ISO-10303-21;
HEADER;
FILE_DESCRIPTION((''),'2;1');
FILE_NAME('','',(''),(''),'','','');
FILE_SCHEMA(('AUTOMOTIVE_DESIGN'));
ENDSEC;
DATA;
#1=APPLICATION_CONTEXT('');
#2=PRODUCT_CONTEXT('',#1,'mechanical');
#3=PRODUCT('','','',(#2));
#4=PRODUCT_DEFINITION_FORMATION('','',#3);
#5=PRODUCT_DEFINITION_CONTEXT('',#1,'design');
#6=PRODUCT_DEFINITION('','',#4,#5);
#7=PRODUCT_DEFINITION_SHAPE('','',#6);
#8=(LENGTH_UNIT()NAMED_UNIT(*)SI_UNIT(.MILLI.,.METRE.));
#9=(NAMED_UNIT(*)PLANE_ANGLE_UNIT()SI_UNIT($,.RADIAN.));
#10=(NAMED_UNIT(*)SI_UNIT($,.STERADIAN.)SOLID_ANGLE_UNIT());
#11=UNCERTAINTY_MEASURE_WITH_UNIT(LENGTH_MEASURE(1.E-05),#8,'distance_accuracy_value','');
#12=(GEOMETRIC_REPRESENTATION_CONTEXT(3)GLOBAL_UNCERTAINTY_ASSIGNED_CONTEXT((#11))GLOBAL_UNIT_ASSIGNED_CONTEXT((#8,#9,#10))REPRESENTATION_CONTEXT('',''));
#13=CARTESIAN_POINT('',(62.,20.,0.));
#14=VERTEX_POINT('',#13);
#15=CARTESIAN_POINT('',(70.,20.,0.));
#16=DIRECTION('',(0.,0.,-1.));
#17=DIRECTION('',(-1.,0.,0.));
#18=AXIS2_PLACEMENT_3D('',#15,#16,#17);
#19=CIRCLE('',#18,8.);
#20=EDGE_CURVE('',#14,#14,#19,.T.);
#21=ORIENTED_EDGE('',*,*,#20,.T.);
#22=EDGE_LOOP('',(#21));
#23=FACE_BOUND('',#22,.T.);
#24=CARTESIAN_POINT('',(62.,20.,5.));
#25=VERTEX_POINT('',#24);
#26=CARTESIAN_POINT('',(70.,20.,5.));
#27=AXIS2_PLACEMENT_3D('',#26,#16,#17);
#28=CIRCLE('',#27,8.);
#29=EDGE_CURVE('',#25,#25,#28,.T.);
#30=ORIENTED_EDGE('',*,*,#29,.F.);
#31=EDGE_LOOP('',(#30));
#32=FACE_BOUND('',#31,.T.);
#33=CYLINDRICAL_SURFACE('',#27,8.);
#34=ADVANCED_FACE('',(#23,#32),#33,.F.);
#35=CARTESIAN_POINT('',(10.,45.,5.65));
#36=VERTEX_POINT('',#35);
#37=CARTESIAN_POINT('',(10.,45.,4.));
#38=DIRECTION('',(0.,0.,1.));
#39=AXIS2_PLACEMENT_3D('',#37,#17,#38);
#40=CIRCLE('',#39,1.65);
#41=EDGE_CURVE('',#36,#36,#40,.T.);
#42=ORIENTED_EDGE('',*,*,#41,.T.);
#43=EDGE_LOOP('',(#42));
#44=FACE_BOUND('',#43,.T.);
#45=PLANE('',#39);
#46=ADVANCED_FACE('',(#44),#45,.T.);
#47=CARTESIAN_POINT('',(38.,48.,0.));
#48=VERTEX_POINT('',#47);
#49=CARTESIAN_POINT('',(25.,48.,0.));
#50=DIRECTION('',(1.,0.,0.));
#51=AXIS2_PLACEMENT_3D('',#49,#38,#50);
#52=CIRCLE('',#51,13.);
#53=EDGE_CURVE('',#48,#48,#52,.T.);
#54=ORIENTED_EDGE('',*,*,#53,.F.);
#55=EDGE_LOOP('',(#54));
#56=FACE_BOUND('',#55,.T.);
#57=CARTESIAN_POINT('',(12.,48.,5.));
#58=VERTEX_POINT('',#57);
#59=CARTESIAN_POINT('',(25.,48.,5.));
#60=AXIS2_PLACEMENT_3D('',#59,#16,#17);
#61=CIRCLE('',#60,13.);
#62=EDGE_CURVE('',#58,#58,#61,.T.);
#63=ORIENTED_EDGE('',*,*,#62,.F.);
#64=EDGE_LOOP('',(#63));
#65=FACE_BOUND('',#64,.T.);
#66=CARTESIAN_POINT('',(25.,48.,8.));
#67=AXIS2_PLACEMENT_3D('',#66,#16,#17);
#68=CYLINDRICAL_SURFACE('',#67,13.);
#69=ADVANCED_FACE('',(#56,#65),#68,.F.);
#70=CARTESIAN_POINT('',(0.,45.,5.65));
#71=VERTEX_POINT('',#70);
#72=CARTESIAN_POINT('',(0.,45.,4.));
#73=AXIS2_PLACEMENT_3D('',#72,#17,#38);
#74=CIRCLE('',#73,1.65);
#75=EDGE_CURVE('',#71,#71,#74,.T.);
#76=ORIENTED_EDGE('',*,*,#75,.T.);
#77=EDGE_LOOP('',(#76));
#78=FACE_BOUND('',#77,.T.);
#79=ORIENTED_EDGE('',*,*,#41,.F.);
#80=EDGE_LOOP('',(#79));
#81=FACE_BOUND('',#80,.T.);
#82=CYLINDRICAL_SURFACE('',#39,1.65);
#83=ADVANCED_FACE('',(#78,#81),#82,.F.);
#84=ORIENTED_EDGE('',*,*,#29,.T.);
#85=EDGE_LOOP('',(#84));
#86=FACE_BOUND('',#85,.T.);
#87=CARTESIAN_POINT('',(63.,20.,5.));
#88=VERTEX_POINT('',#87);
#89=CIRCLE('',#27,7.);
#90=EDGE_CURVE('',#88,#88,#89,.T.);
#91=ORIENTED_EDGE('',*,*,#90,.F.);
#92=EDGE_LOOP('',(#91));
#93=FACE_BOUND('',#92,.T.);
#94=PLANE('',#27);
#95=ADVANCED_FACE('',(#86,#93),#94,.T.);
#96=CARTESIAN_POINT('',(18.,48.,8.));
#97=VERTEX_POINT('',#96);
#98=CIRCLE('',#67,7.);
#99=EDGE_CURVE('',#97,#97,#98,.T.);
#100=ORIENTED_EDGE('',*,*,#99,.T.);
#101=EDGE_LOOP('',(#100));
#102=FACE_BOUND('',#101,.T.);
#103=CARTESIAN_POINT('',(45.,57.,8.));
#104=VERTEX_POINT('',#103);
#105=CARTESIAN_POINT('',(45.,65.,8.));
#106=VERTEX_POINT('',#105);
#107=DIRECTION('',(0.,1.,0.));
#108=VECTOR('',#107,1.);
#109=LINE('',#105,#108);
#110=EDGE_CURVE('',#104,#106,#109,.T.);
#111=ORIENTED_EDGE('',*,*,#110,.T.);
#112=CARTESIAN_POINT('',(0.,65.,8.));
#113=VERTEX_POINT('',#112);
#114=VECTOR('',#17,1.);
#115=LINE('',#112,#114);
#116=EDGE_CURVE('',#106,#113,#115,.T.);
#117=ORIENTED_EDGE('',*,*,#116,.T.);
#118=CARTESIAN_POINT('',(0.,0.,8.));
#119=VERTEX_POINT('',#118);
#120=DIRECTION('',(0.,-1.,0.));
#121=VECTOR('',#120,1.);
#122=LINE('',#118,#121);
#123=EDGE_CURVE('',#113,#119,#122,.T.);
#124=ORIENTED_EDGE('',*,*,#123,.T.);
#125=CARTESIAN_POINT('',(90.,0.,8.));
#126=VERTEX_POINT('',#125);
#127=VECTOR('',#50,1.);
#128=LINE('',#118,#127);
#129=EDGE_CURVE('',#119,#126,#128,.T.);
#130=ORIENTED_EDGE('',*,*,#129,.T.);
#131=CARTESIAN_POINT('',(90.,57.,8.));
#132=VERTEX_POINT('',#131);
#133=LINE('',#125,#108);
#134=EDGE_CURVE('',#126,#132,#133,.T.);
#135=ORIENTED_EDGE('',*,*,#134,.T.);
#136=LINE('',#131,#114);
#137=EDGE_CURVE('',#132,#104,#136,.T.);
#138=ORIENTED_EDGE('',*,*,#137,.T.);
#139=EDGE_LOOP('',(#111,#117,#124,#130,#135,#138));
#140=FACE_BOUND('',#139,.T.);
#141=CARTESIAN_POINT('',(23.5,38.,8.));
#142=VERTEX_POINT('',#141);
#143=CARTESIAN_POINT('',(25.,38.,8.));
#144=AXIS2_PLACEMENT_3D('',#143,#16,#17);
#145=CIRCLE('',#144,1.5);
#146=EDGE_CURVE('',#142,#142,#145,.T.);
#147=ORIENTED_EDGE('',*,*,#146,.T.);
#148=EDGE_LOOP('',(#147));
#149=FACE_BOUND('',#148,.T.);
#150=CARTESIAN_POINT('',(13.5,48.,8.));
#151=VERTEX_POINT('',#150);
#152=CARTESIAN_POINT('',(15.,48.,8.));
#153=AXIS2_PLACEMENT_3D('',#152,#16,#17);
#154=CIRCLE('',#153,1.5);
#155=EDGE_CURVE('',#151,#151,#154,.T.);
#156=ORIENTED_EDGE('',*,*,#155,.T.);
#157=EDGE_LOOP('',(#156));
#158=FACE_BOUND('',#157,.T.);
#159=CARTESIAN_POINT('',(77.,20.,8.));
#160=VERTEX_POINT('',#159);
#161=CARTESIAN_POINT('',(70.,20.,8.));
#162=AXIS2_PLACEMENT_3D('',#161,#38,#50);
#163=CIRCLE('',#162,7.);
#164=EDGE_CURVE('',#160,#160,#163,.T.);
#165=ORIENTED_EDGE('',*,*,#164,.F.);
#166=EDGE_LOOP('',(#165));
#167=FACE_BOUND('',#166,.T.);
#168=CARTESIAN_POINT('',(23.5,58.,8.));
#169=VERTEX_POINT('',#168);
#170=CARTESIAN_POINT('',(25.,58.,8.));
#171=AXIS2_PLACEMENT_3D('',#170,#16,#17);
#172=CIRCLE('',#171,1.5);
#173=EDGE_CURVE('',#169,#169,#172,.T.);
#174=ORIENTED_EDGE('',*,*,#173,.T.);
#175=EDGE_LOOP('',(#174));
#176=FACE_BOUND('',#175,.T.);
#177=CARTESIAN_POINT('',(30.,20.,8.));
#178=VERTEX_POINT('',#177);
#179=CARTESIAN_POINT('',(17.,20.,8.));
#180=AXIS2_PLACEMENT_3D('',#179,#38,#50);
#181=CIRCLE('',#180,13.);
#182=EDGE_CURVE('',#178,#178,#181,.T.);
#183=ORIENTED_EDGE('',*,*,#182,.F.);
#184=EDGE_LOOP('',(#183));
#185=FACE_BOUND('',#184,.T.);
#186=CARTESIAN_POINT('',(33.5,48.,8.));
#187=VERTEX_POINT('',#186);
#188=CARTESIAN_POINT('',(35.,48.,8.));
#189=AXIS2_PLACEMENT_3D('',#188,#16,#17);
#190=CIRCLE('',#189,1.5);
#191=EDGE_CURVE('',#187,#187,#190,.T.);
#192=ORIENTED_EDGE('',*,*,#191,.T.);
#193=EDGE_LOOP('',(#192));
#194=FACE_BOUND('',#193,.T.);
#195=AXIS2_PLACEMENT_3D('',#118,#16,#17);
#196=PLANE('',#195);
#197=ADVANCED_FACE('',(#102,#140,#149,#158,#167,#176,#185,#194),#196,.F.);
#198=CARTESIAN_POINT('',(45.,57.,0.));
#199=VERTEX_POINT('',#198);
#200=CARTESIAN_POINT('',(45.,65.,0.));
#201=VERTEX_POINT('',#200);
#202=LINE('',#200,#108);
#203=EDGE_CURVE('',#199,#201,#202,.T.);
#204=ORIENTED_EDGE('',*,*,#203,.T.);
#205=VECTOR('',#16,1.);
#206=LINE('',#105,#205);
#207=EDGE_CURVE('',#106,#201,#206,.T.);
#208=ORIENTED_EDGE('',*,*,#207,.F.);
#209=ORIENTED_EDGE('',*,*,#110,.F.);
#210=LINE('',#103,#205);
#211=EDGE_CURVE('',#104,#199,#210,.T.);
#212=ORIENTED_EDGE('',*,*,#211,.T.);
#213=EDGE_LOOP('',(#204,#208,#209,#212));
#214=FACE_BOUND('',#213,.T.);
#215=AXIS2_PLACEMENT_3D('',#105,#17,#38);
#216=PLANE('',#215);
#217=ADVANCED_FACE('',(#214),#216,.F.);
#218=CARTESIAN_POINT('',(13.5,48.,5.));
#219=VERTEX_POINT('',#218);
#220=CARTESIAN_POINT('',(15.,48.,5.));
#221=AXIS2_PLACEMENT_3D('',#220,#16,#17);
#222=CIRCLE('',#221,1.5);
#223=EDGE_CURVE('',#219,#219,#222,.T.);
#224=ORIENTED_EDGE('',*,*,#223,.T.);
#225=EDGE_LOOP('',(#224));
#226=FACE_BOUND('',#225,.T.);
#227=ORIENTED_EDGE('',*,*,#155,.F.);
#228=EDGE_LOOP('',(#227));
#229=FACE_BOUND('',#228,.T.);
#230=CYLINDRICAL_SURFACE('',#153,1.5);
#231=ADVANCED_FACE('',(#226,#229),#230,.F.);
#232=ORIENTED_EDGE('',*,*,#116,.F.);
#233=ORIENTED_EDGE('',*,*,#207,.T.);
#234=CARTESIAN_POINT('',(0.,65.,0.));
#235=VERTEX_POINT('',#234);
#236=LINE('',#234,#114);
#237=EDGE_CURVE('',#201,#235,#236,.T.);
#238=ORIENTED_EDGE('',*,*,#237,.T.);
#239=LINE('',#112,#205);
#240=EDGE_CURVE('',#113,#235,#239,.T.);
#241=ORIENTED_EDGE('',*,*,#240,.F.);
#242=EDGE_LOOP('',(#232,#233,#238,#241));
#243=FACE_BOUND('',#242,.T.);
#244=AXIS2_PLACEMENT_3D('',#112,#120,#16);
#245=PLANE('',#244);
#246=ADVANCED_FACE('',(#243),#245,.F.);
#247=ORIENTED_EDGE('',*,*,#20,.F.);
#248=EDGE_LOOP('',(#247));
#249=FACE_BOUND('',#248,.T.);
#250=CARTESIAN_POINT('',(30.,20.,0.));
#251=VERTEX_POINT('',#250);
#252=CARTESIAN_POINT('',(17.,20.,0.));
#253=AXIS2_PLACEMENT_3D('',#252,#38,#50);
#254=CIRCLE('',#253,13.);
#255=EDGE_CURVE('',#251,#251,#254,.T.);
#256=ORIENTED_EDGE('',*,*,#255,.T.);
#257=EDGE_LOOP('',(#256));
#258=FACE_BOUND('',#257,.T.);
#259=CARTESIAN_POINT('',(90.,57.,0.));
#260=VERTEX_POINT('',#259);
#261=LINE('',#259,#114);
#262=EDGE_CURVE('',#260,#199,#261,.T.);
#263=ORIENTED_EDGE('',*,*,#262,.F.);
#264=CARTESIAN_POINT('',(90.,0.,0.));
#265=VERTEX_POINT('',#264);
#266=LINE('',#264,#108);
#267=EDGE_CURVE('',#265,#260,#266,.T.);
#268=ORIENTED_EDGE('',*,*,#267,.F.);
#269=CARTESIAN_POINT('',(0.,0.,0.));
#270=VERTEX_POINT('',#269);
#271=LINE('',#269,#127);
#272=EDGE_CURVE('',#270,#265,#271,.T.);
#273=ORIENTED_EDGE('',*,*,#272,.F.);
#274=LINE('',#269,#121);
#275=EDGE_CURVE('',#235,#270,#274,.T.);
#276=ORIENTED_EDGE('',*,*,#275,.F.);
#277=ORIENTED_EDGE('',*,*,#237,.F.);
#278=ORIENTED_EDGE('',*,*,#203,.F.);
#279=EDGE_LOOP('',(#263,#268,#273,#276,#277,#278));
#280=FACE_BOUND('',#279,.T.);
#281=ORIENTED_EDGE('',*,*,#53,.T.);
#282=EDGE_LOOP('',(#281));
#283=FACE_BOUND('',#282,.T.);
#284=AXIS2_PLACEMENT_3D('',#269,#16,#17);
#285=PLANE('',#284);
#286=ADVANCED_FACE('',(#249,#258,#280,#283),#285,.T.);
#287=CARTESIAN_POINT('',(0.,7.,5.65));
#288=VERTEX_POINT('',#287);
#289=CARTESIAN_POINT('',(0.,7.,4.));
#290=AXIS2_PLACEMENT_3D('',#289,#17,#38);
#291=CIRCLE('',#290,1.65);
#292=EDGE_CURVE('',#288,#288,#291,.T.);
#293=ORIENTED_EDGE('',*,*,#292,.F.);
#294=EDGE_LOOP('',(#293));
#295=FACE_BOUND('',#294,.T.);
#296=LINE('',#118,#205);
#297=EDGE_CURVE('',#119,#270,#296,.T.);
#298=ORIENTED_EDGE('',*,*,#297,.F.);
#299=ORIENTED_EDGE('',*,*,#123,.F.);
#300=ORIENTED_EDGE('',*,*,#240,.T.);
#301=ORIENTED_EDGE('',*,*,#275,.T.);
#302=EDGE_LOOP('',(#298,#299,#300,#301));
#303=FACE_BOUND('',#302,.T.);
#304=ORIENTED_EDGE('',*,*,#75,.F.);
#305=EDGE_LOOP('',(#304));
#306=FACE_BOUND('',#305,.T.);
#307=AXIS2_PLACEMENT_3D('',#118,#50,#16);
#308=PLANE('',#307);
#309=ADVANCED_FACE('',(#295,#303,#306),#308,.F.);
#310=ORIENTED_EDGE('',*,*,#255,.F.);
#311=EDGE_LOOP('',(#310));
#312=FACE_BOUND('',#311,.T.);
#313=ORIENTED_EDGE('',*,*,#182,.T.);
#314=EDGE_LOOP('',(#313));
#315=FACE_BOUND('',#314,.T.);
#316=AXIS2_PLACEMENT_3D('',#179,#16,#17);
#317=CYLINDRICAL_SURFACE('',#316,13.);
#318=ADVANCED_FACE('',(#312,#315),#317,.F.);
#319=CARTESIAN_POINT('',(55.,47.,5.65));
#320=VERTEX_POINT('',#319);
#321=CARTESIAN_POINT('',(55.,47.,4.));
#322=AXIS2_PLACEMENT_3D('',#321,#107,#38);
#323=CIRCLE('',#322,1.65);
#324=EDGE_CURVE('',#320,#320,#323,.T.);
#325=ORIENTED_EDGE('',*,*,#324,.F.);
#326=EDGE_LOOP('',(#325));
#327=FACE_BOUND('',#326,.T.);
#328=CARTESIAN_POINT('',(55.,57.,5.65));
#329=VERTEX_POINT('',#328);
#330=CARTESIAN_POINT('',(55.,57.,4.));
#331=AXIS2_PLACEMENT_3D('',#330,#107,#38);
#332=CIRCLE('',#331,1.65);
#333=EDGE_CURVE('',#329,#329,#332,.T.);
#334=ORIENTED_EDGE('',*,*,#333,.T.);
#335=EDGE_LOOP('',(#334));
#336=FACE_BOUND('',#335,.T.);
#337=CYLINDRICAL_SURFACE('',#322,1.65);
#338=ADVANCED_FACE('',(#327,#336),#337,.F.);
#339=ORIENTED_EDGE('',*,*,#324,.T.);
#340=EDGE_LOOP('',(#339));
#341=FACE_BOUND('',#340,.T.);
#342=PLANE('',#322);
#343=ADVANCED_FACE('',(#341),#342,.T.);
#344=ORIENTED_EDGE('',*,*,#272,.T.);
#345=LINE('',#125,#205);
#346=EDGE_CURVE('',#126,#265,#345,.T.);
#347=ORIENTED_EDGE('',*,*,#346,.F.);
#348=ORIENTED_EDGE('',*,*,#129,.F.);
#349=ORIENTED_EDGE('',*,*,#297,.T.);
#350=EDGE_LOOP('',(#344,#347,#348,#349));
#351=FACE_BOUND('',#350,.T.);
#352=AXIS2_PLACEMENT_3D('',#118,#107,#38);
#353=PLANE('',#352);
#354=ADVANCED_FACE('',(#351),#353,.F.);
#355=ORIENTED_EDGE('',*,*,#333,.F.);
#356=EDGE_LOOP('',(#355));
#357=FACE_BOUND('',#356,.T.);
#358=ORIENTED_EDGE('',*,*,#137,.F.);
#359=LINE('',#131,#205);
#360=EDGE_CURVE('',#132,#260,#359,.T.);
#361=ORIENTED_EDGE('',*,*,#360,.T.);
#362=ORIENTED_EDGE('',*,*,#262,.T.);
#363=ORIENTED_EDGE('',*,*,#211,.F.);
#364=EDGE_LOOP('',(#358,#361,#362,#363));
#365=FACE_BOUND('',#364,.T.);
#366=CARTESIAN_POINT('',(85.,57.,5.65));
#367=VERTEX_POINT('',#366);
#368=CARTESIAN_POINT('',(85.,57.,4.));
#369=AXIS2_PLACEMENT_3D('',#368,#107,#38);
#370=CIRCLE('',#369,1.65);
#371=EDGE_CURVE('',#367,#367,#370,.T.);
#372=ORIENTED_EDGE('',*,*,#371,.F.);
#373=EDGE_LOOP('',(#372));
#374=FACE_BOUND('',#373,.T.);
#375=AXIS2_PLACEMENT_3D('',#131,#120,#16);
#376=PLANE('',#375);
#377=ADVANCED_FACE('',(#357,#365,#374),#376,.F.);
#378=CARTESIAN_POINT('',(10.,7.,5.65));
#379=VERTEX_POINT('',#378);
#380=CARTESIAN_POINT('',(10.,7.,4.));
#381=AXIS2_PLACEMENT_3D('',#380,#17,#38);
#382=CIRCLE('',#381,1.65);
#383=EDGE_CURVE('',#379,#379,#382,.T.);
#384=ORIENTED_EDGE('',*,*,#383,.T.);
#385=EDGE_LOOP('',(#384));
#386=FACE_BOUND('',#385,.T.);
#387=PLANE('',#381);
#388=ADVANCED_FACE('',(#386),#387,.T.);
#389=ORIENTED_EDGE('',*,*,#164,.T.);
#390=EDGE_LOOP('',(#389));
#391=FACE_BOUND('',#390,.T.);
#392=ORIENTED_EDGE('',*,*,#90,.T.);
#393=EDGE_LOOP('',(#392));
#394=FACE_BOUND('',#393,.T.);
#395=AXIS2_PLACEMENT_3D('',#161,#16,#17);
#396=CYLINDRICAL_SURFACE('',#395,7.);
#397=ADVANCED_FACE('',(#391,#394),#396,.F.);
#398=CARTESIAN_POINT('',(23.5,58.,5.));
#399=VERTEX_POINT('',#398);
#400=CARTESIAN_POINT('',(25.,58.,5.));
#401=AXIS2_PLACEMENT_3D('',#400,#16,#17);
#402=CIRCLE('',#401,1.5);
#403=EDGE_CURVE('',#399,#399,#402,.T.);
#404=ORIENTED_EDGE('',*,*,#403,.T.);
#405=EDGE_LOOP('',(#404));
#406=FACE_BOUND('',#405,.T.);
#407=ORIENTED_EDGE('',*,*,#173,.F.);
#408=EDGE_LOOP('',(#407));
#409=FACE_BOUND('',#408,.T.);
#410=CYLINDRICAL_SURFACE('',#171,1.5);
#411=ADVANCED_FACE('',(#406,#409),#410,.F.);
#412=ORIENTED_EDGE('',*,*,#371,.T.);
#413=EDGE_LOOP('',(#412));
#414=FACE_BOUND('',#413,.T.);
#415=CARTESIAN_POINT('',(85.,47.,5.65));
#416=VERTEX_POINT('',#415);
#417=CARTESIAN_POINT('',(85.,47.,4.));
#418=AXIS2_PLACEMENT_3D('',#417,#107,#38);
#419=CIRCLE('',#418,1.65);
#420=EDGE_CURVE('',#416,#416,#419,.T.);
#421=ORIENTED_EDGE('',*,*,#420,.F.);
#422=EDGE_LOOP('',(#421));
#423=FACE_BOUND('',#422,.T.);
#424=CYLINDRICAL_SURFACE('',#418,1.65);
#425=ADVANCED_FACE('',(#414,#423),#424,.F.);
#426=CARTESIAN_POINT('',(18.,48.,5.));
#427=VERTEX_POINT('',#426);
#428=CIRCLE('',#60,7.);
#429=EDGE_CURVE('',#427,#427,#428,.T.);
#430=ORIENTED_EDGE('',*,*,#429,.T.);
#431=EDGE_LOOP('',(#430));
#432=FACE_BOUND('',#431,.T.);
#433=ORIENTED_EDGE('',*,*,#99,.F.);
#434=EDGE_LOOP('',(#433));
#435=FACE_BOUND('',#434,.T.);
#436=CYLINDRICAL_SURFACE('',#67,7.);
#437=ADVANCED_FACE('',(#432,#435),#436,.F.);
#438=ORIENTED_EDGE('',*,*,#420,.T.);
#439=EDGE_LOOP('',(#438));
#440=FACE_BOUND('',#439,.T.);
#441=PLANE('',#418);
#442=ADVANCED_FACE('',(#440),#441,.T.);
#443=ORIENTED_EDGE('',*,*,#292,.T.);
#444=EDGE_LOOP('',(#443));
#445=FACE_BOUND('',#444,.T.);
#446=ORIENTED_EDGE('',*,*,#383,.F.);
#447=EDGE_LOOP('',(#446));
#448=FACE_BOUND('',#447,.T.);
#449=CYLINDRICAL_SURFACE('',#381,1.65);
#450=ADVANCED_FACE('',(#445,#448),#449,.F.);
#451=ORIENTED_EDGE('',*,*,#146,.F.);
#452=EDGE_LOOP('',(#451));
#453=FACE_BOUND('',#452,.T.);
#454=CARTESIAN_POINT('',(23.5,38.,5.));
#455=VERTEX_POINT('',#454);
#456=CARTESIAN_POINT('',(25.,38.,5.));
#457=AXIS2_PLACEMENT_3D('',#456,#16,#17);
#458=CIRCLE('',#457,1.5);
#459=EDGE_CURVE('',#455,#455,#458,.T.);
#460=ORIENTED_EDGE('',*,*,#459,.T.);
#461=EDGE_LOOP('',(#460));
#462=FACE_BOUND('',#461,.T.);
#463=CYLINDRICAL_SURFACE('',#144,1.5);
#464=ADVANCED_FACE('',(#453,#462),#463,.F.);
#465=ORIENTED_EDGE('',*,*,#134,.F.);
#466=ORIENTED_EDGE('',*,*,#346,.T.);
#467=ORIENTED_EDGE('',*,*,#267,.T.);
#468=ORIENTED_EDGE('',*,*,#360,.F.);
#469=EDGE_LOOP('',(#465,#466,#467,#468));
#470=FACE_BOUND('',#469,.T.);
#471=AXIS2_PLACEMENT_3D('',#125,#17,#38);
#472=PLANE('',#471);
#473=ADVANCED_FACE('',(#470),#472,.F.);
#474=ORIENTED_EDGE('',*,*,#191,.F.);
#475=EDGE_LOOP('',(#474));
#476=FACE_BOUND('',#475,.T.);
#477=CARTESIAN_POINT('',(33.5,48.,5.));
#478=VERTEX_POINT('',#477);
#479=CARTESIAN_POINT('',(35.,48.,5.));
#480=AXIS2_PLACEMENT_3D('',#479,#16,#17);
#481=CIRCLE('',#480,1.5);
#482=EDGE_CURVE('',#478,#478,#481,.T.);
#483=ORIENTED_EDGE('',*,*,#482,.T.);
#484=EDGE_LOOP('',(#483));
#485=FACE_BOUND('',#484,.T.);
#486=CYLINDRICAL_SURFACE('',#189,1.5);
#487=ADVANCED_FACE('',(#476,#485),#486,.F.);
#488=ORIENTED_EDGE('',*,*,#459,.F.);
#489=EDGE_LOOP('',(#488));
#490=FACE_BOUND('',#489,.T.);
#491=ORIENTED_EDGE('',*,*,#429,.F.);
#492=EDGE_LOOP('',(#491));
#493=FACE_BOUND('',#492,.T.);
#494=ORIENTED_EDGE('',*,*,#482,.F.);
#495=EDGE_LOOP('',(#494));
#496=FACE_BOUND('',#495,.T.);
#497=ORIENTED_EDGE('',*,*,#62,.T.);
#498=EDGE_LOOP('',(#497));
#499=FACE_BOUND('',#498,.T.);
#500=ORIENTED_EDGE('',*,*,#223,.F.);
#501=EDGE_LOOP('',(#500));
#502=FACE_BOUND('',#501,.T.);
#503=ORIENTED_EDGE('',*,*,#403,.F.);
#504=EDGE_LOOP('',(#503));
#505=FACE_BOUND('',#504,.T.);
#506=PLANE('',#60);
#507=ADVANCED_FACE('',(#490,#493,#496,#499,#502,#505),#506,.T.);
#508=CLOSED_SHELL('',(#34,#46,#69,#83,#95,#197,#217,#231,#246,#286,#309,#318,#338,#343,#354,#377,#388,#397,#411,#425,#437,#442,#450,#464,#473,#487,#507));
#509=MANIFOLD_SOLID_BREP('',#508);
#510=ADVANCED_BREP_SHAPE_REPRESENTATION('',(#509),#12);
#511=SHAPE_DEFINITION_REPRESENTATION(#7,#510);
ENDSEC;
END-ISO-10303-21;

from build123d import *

# Parameters (mm, degrees)
ESQUISSE1_W             = 90
ESQUISSE1_H             = 65
ESQUISSE1_R             = 7
ESQUISSE1_R_2           = 13
BOSS_EXTRU_1_DEPTH      = 8
BOSS_EXTRU_2_START      = -8
ESQUISSE2_R             = 13
BOSS_EXTRU_2_DEPTH      = 3
ESQUISSE3_R             = 7
ESQUISSE3_R_2           = 1.5
ENL_V_MAT_EXTRU_1_DEPTH = 4
ENL_V_START             = -8
ESQUISSE4_R             = 8
ENL_V_MAT_EXTRU_2_DEPTH = 5
ESQUISSE5_W             = 45
ESQUISSE5_H             = 8
ENL_V_MAT_EXTRU_3_DEPTH = 9
ESQUISSE6_R             = 1.65
ENL_V_MAT_EXTRU_4_DEPTH = 10
ESQUISSE7_R             = 1.65
ENL_V_MAT_EXTRU_5_DEPTH = 10


with BuildPart() as part:
    # Esquisse1 → Boss.-Extru.1 (new body)
    with BuildSketch(Plane.XY):
        with Locations((45, 32.5)):
            Rectangle(ESQUISSE1_W, ESQUISSE1_H)
        with Locations((70, 20)):
            Circle(ESQUISSE1_R, mode=Mode.SUBTRACT)
        with Locations((17, 20)):
            Circle(ESQUISSE1_R_2, mode=Mode.SUBTRACT)
        with Locations((25, 48)):
            Circle(ESQUISSE1_R_2, mode=Mode.SUBTRACT)
    extrude(amount=BOSS_EXTRU_1_DEPTH)

    # Esquisse2 → Boss.-Extru.2 (add)
    with BuildSketch(Plane(origin=(0, 0, 0), x_dir=(-1, 0, 0), z_dir=(0, 0, -1)).offset(BOSS_EXTRU_2_START)):
        with Locations((-25, 48)):
            Circle(ESQUISSE2_R)
    extrude(amount=BOSS_EXTRU_2_DEPTH)

    # Esquisse3 → Enlèv. mat.-Extru.1 (cut, through all)
    with BuildSketch(Plane(origin=(0, 0, 5), x_dir=(-1, 0, 0), z_dir=(0, 0, -1))):
        with Locations((-25, 48)):
            Circle(ESQUISSE3_R)
        with Locations((-15, 48)):
            Circle(ESQUISSE3_R_2)
        with Locations((-25, 38)):
            Circle(ESQUISSE3_R_2)
        with Locations((-35, 48)):
            Circle(ESQUISSE3_R_2)
        with Locations((-25, 58)):
            Circle(ESQUISSE3_R_2)
    extrude(amount=-ENL_V_MAT_EXTRU_1_DEPTH, mode=Mode.SUBTRACT)

    # Esquisse4 → Enlèv. mat.-Extru.2 (cut)
    with BuildSketch(Plane.XY.offset(8).offset(ENL_V_START)):
        with Locations((70, 20)):
            Circle(ESQUISSE4_R)
    extrude(amount=ENL_V_MAT_EXTRU_2_DEPTH, mode=Mode.SUBTRACT)

    # Esquisse5 → Enlèv. mat.-Extru.3 (cut, through all)
    with BuildSketch(Plane(origin=(0, 0, 0), x_dir=(-1, 0, 0), z_dir=(0, 0, -1))):
        with Locations((-67.5, 61)):
            Rectangle(ESQUISSE5_W, ESQUISSE5_H)
    extrude(amount=-ENL_V_MAT_EXTRU_3_DEPTH, mode=Mode.SUBTRACT)

    # Esquisse6 → Enlèv. mat.-Extru.4 (cut)
    with BuildSketch(Plane.ZY):
        with Locations((4, 45)):
            Circle(ESQUISSE6_R)
        with Locations((4, 7)):
            Circle(ESQUISSE6_R)
    extrude(amount=-ENL_V_MAT_EXTRU_4_DEPTH, mode=Mode.SUBTRACT)

    # Esquisse7 → Enlèv. mat.-Extru.5 (cut)
    with BuildSketch(Plane(origin=(0, 57, 0), x_dir=(1, 0, 0), z_dir=(0, 1, 0))):
        with Locations((85, -4)):
            Circle(ESQUISSE7_R)
        with Locations((55, -4)):
            Circle(ESQUISSE7_R)
    extrude(amount=-ENL_V_MAT_EXTRU_5_DEPTH, mode=Mode.SUBTRACT)


solid = part.part
